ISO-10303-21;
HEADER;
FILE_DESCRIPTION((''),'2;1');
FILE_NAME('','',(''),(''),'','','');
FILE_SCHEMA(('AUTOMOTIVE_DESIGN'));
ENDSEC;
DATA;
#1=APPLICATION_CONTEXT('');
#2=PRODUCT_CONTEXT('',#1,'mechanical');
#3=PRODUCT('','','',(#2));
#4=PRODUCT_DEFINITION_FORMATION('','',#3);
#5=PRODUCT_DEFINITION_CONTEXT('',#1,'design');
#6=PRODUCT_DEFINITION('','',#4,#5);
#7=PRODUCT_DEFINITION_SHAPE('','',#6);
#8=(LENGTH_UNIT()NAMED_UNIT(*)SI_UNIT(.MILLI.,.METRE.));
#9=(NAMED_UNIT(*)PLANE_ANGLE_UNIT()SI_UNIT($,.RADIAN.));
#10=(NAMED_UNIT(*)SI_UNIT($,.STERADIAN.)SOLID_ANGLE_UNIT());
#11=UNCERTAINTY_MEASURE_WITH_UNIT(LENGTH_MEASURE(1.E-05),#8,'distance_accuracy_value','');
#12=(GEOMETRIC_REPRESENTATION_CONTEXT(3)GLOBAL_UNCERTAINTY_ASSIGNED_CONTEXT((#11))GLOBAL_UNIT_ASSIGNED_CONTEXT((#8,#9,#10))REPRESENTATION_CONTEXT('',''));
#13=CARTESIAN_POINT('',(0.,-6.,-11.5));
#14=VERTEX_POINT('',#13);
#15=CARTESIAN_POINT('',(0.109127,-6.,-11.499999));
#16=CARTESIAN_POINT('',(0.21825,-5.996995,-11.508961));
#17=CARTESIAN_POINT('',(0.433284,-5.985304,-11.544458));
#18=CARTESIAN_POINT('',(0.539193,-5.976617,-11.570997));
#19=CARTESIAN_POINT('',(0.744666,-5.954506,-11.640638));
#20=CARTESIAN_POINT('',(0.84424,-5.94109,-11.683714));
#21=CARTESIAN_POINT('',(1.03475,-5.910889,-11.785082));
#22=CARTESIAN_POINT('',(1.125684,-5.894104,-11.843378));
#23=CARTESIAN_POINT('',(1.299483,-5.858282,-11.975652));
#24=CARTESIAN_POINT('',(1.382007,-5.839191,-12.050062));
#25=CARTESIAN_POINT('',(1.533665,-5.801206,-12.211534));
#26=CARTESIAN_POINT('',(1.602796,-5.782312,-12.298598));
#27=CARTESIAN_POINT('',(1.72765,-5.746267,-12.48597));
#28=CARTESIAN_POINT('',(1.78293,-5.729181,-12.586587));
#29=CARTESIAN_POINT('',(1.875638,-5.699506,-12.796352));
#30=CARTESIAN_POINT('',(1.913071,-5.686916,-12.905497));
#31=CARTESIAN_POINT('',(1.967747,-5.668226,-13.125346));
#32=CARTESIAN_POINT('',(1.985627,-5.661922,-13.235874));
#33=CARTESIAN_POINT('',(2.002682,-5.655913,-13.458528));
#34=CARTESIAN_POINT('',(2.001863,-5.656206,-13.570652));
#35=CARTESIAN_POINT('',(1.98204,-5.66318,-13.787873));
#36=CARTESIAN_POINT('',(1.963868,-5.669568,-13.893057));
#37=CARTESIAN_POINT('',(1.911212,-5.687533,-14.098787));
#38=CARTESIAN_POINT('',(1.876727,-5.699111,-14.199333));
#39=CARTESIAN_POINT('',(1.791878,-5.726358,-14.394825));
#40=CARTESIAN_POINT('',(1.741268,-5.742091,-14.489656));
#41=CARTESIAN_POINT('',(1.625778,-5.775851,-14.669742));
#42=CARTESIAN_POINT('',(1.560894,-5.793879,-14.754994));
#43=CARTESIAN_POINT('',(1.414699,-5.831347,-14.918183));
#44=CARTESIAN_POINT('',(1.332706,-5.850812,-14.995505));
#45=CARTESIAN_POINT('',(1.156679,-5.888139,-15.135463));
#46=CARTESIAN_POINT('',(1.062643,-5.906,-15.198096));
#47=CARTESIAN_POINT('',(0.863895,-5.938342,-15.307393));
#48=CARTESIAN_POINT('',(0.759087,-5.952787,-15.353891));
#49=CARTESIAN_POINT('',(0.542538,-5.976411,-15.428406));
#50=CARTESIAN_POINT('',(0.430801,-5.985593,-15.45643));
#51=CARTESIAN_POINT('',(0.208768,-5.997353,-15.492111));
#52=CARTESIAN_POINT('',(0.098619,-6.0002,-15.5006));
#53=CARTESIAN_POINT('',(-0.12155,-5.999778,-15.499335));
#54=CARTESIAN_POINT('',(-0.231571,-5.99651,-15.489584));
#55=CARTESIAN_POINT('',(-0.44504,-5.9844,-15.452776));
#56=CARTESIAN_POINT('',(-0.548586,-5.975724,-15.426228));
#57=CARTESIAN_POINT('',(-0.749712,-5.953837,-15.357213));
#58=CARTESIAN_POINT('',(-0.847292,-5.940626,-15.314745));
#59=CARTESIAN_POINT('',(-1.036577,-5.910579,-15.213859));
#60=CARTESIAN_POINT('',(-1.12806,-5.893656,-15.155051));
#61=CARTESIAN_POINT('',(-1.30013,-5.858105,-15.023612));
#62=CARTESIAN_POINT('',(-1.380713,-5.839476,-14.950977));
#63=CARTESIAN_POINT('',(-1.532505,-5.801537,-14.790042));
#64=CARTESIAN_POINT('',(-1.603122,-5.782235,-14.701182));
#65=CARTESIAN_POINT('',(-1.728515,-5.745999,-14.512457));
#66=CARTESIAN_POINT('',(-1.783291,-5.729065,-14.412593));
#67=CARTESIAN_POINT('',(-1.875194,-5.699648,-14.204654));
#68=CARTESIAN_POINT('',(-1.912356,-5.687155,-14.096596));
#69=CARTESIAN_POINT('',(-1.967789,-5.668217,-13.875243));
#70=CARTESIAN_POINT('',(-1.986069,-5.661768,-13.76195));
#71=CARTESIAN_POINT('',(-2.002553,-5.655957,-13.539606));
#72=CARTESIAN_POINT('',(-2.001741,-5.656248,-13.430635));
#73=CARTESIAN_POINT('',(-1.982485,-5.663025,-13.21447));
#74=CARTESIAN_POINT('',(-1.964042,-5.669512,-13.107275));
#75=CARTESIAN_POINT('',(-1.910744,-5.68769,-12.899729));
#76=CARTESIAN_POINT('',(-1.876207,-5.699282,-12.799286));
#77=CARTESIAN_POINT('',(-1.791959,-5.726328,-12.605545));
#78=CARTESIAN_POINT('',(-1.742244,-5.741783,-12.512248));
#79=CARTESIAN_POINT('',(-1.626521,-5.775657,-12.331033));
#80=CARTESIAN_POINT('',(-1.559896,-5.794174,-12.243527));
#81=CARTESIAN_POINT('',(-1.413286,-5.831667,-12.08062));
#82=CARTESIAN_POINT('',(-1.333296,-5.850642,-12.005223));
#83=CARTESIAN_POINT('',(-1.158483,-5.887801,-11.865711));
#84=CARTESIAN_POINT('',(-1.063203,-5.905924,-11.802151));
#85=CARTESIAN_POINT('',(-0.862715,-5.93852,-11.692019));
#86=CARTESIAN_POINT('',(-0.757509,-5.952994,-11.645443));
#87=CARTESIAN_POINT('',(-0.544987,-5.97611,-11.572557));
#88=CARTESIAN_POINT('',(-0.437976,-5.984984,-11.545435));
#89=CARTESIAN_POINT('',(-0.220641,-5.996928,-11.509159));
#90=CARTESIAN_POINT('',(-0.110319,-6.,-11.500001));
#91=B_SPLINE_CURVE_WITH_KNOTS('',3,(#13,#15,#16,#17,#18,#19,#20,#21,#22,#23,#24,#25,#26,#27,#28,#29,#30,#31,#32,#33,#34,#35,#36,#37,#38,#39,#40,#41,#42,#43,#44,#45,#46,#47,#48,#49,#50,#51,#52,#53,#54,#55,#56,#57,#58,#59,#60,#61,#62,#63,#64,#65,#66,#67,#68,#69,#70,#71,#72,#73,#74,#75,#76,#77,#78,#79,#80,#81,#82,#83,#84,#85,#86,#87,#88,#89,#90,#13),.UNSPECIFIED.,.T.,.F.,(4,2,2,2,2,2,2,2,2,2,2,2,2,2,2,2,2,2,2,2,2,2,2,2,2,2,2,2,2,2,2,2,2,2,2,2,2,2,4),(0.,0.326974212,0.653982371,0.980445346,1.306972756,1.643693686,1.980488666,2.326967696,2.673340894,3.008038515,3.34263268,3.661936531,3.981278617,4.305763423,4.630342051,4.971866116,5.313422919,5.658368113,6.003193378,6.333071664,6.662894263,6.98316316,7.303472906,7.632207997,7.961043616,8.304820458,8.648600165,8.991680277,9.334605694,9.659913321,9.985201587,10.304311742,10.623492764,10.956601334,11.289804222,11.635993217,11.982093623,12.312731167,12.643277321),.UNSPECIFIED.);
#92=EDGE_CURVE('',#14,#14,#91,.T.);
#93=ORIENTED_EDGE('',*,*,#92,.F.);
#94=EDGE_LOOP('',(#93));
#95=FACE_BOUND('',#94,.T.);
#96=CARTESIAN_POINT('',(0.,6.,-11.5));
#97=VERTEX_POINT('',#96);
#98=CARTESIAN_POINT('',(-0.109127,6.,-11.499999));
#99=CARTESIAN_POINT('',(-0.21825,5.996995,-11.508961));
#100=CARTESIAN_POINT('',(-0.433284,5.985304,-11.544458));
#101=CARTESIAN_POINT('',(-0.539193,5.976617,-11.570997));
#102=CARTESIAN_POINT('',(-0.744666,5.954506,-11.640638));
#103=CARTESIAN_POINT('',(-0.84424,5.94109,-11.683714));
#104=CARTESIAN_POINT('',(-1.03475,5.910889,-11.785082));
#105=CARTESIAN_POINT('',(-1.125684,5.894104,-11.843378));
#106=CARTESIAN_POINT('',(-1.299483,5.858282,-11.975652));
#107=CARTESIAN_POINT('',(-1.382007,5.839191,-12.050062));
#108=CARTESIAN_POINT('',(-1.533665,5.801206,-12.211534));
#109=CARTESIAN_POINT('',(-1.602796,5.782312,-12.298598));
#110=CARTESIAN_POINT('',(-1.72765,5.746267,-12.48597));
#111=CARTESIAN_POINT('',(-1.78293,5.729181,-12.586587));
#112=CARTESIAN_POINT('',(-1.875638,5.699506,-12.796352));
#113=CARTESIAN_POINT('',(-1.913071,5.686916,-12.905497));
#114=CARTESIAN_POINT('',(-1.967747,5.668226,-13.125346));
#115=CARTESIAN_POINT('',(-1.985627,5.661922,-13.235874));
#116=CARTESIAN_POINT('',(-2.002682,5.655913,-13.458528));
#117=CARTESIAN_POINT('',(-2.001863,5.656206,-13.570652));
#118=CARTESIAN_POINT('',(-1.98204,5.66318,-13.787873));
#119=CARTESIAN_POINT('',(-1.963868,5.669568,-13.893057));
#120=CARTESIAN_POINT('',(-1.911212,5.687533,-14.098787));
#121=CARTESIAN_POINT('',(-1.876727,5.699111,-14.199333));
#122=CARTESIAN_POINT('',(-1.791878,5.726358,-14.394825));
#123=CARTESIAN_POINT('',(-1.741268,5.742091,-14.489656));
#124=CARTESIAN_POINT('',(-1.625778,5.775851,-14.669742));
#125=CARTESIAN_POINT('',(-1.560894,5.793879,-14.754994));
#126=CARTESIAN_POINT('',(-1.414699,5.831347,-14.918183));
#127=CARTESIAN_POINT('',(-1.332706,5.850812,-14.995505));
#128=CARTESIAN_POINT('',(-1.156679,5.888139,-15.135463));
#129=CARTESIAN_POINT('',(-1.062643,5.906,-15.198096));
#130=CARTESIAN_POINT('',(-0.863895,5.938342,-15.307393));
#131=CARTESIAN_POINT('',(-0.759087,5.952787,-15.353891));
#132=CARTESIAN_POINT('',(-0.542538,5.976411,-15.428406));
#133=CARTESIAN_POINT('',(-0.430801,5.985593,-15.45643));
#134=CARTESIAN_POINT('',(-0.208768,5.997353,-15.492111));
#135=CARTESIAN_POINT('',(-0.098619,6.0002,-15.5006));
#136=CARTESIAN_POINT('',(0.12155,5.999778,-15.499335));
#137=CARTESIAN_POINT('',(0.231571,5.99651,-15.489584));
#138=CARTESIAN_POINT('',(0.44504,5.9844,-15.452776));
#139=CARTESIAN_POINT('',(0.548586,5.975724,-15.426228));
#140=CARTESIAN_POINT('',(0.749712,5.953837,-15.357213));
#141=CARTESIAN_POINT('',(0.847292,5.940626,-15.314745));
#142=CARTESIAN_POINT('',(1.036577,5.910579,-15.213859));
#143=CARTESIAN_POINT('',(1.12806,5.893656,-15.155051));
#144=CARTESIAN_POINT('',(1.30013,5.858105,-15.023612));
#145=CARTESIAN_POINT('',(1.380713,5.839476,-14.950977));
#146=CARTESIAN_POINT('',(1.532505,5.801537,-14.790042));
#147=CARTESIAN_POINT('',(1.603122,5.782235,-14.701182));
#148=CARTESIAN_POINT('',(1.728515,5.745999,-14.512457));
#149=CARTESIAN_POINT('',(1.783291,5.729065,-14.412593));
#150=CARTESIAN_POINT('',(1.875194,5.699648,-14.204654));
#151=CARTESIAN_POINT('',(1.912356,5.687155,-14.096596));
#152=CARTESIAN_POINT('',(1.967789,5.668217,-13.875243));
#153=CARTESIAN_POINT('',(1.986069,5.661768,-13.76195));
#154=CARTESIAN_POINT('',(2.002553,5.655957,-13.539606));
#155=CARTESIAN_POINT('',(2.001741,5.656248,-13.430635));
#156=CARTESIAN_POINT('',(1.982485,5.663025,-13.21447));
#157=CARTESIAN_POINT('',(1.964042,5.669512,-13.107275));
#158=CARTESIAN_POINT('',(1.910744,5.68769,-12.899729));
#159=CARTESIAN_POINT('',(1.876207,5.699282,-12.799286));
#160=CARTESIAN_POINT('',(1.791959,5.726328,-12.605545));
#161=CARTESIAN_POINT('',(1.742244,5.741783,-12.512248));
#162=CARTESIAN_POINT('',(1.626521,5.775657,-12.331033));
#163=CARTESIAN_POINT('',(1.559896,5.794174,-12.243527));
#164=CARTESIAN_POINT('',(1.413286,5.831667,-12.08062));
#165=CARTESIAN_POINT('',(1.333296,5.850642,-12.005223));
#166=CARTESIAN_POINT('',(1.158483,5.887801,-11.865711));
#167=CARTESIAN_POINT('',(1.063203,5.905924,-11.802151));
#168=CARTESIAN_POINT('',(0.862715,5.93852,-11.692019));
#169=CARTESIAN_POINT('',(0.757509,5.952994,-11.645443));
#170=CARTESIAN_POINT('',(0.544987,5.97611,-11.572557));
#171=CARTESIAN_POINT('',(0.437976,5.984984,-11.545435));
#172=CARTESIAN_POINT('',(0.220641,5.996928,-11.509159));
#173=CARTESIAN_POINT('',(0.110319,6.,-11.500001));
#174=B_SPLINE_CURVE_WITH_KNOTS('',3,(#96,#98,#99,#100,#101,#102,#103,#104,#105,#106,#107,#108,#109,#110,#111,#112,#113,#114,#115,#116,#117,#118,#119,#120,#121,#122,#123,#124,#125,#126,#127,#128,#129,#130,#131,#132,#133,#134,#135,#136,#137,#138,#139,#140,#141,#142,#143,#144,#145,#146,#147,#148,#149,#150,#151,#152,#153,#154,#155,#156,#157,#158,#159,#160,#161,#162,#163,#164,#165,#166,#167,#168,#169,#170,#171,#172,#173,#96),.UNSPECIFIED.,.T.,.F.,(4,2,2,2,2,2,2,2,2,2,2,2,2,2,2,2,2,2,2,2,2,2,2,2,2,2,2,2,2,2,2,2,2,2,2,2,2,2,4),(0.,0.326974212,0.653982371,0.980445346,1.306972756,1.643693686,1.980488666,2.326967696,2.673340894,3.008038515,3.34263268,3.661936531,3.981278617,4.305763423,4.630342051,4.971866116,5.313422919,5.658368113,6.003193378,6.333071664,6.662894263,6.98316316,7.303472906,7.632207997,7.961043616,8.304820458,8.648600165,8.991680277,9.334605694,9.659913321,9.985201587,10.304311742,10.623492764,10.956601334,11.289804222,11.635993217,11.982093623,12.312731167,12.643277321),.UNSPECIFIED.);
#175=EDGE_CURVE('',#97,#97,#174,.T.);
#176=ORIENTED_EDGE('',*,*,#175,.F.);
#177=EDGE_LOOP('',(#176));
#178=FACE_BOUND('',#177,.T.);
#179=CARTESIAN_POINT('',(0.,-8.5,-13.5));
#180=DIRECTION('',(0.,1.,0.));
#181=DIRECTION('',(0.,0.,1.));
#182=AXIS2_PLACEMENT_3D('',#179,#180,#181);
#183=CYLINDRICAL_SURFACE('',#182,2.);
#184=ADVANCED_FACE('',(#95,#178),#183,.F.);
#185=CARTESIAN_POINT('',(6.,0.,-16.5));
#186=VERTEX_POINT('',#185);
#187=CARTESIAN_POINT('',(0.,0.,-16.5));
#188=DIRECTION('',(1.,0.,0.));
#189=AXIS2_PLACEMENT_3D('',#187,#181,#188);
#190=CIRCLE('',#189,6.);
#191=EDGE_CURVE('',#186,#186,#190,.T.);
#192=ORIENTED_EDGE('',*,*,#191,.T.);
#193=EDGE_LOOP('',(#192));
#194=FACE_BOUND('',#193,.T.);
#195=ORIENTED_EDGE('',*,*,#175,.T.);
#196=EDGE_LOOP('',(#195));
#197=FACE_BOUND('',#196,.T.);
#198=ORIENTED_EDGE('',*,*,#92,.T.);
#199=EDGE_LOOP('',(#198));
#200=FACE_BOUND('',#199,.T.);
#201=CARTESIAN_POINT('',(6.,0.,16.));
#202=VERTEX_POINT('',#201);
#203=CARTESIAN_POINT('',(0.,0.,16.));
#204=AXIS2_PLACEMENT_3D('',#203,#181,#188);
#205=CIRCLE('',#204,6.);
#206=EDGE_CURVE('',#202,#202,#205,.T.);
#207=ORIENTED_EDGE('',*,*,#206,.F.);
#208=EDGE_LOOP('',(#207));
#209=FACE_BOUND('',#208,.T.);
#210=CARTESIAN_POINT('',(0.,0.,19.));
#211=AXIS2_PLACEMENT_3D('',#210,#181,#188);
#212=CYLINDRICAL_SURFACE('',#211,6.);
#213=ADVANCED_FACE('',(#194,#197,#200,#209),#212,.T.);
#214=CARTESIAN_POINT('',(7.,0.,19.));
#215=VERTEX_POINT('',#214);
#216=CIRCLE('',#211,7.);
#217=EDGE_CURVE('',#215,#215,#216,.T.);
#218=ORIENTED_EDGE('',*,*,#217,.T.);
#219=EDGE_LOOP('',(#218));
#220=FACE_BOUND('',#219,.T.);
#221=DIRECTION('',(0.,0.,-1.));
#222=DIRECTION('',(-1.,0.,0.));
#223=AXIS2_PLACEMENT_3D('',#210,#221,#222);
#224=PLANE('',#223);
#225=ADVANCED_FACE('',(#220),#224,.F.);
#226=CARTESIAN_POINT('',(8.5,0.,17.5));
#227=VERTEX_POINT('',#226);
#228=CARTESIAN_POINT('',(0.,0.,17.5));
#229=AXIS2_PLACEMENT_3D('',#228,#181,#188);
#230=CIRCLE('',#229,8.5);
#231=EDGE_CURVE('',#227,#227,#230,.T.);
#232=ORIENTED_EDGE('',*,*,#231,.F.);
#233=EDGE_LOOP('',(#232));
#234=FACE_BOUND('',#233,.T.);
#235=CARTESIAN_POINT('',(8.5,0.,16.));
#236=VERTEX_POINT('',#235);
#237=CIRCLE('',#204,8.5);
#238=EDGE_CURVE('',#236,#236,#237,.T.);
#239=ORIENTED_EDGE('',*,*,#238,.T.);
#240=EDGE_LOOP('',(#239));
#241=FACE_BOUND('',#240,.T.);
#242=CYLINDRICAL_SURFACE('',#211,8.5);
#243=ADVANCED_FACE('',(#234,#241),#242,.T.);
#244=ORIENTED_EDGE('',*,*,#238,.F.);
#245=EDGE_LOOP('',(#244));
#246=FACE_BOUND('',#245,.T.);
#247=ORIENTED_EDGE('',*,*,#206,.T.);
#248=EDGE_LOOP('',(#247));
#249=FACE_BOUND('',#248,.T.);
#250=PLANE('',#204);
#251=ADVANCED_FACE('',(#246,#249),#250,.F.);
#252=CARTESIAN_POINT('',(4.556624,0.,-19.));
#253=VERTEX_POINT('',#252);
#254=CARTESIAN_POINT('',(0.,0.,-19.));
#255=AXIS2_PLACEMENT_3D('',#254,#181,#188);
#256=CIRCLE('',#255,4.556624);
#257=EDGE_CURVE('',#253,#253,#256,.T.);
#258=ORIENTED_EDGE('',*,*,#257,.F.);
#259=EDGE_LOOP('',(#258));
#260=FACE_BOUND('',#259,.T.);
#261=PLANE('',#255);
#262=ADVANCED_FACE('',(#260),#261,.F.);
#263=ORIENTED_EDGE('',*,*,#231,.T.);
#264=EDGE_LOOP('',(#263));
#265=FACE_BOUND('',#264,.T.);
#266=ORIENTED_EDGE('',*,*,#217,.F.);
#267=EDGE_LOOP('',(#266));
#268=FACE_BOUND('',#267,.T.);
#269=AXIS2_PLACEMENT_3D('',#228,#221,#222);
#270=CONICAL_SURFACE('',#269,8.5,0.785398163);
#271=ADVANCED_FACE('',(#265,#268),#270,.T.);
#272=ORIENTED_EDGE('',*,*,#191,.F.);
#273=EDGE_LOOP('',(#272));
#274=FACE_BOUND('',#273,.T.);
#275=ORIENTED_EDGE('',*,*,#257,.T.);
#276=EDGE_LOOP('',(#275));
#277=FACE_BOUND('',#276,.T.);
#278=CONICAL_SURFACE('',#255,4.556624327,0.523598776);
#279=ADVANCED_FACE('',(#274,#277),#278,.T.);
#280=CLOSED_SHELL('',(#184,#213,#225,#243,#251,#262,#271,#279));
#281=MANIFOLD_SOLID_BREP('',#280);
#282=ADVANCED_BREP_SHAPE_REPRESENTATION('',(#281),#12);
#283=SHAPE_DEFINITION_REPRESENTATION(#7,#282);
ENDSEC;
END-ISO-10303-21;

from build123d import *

# Parameters (mm, degrees)
WYTNIJ_WYCI_GNI_CIE1_DEPTH      = 23.483327156
WYTNIJ_WYCI_GNI_CIE1_DEPTH_BACK = 23.483327156
SZKIC2_R                        = 2


with BuildPart() as part:
    # Szkic1 → Obrót1 (revolve)
    with BuildSketch(Plane(origin=(0, 0, 0), x_dir=(1, 0, 0), z_dir=(0, 1, 0))):
        Polygon((0, -19), (7, -19), (8.5, -17.5), (8.5, -16), (6, -16), (6, 16.5), (4.556624327, 19), (0, 19), align=None)
    revolve(axis=Axis((0, 0, 19), (0, 0, -1)))

    # Szkic2 → Wytnij-wyciągnięcie1 (cut, two sides: drawn at the far end of the back side and taken through both)
    with BuildSketch(Plane(origin=(0, 0, 0), x_dir=(1, 0, 0), z_dir=(0, 1, 0)).offset(-WYTNIJ_WYCI_GNI_CIE1_DEPTH_BACK)):
        with Locations(Location((0, 13.5, 0), (0, 0, 270))):
            Circle(SZKIC2_R)
    extrude(amount=WYTNIJ_WYCI_GNI_CIE1_DEPTH + WYTNIJ_WYCI_GNI_CIE1_DEPTH_BACK, mode=Mode.SUBTRACT)


solid = part.part
